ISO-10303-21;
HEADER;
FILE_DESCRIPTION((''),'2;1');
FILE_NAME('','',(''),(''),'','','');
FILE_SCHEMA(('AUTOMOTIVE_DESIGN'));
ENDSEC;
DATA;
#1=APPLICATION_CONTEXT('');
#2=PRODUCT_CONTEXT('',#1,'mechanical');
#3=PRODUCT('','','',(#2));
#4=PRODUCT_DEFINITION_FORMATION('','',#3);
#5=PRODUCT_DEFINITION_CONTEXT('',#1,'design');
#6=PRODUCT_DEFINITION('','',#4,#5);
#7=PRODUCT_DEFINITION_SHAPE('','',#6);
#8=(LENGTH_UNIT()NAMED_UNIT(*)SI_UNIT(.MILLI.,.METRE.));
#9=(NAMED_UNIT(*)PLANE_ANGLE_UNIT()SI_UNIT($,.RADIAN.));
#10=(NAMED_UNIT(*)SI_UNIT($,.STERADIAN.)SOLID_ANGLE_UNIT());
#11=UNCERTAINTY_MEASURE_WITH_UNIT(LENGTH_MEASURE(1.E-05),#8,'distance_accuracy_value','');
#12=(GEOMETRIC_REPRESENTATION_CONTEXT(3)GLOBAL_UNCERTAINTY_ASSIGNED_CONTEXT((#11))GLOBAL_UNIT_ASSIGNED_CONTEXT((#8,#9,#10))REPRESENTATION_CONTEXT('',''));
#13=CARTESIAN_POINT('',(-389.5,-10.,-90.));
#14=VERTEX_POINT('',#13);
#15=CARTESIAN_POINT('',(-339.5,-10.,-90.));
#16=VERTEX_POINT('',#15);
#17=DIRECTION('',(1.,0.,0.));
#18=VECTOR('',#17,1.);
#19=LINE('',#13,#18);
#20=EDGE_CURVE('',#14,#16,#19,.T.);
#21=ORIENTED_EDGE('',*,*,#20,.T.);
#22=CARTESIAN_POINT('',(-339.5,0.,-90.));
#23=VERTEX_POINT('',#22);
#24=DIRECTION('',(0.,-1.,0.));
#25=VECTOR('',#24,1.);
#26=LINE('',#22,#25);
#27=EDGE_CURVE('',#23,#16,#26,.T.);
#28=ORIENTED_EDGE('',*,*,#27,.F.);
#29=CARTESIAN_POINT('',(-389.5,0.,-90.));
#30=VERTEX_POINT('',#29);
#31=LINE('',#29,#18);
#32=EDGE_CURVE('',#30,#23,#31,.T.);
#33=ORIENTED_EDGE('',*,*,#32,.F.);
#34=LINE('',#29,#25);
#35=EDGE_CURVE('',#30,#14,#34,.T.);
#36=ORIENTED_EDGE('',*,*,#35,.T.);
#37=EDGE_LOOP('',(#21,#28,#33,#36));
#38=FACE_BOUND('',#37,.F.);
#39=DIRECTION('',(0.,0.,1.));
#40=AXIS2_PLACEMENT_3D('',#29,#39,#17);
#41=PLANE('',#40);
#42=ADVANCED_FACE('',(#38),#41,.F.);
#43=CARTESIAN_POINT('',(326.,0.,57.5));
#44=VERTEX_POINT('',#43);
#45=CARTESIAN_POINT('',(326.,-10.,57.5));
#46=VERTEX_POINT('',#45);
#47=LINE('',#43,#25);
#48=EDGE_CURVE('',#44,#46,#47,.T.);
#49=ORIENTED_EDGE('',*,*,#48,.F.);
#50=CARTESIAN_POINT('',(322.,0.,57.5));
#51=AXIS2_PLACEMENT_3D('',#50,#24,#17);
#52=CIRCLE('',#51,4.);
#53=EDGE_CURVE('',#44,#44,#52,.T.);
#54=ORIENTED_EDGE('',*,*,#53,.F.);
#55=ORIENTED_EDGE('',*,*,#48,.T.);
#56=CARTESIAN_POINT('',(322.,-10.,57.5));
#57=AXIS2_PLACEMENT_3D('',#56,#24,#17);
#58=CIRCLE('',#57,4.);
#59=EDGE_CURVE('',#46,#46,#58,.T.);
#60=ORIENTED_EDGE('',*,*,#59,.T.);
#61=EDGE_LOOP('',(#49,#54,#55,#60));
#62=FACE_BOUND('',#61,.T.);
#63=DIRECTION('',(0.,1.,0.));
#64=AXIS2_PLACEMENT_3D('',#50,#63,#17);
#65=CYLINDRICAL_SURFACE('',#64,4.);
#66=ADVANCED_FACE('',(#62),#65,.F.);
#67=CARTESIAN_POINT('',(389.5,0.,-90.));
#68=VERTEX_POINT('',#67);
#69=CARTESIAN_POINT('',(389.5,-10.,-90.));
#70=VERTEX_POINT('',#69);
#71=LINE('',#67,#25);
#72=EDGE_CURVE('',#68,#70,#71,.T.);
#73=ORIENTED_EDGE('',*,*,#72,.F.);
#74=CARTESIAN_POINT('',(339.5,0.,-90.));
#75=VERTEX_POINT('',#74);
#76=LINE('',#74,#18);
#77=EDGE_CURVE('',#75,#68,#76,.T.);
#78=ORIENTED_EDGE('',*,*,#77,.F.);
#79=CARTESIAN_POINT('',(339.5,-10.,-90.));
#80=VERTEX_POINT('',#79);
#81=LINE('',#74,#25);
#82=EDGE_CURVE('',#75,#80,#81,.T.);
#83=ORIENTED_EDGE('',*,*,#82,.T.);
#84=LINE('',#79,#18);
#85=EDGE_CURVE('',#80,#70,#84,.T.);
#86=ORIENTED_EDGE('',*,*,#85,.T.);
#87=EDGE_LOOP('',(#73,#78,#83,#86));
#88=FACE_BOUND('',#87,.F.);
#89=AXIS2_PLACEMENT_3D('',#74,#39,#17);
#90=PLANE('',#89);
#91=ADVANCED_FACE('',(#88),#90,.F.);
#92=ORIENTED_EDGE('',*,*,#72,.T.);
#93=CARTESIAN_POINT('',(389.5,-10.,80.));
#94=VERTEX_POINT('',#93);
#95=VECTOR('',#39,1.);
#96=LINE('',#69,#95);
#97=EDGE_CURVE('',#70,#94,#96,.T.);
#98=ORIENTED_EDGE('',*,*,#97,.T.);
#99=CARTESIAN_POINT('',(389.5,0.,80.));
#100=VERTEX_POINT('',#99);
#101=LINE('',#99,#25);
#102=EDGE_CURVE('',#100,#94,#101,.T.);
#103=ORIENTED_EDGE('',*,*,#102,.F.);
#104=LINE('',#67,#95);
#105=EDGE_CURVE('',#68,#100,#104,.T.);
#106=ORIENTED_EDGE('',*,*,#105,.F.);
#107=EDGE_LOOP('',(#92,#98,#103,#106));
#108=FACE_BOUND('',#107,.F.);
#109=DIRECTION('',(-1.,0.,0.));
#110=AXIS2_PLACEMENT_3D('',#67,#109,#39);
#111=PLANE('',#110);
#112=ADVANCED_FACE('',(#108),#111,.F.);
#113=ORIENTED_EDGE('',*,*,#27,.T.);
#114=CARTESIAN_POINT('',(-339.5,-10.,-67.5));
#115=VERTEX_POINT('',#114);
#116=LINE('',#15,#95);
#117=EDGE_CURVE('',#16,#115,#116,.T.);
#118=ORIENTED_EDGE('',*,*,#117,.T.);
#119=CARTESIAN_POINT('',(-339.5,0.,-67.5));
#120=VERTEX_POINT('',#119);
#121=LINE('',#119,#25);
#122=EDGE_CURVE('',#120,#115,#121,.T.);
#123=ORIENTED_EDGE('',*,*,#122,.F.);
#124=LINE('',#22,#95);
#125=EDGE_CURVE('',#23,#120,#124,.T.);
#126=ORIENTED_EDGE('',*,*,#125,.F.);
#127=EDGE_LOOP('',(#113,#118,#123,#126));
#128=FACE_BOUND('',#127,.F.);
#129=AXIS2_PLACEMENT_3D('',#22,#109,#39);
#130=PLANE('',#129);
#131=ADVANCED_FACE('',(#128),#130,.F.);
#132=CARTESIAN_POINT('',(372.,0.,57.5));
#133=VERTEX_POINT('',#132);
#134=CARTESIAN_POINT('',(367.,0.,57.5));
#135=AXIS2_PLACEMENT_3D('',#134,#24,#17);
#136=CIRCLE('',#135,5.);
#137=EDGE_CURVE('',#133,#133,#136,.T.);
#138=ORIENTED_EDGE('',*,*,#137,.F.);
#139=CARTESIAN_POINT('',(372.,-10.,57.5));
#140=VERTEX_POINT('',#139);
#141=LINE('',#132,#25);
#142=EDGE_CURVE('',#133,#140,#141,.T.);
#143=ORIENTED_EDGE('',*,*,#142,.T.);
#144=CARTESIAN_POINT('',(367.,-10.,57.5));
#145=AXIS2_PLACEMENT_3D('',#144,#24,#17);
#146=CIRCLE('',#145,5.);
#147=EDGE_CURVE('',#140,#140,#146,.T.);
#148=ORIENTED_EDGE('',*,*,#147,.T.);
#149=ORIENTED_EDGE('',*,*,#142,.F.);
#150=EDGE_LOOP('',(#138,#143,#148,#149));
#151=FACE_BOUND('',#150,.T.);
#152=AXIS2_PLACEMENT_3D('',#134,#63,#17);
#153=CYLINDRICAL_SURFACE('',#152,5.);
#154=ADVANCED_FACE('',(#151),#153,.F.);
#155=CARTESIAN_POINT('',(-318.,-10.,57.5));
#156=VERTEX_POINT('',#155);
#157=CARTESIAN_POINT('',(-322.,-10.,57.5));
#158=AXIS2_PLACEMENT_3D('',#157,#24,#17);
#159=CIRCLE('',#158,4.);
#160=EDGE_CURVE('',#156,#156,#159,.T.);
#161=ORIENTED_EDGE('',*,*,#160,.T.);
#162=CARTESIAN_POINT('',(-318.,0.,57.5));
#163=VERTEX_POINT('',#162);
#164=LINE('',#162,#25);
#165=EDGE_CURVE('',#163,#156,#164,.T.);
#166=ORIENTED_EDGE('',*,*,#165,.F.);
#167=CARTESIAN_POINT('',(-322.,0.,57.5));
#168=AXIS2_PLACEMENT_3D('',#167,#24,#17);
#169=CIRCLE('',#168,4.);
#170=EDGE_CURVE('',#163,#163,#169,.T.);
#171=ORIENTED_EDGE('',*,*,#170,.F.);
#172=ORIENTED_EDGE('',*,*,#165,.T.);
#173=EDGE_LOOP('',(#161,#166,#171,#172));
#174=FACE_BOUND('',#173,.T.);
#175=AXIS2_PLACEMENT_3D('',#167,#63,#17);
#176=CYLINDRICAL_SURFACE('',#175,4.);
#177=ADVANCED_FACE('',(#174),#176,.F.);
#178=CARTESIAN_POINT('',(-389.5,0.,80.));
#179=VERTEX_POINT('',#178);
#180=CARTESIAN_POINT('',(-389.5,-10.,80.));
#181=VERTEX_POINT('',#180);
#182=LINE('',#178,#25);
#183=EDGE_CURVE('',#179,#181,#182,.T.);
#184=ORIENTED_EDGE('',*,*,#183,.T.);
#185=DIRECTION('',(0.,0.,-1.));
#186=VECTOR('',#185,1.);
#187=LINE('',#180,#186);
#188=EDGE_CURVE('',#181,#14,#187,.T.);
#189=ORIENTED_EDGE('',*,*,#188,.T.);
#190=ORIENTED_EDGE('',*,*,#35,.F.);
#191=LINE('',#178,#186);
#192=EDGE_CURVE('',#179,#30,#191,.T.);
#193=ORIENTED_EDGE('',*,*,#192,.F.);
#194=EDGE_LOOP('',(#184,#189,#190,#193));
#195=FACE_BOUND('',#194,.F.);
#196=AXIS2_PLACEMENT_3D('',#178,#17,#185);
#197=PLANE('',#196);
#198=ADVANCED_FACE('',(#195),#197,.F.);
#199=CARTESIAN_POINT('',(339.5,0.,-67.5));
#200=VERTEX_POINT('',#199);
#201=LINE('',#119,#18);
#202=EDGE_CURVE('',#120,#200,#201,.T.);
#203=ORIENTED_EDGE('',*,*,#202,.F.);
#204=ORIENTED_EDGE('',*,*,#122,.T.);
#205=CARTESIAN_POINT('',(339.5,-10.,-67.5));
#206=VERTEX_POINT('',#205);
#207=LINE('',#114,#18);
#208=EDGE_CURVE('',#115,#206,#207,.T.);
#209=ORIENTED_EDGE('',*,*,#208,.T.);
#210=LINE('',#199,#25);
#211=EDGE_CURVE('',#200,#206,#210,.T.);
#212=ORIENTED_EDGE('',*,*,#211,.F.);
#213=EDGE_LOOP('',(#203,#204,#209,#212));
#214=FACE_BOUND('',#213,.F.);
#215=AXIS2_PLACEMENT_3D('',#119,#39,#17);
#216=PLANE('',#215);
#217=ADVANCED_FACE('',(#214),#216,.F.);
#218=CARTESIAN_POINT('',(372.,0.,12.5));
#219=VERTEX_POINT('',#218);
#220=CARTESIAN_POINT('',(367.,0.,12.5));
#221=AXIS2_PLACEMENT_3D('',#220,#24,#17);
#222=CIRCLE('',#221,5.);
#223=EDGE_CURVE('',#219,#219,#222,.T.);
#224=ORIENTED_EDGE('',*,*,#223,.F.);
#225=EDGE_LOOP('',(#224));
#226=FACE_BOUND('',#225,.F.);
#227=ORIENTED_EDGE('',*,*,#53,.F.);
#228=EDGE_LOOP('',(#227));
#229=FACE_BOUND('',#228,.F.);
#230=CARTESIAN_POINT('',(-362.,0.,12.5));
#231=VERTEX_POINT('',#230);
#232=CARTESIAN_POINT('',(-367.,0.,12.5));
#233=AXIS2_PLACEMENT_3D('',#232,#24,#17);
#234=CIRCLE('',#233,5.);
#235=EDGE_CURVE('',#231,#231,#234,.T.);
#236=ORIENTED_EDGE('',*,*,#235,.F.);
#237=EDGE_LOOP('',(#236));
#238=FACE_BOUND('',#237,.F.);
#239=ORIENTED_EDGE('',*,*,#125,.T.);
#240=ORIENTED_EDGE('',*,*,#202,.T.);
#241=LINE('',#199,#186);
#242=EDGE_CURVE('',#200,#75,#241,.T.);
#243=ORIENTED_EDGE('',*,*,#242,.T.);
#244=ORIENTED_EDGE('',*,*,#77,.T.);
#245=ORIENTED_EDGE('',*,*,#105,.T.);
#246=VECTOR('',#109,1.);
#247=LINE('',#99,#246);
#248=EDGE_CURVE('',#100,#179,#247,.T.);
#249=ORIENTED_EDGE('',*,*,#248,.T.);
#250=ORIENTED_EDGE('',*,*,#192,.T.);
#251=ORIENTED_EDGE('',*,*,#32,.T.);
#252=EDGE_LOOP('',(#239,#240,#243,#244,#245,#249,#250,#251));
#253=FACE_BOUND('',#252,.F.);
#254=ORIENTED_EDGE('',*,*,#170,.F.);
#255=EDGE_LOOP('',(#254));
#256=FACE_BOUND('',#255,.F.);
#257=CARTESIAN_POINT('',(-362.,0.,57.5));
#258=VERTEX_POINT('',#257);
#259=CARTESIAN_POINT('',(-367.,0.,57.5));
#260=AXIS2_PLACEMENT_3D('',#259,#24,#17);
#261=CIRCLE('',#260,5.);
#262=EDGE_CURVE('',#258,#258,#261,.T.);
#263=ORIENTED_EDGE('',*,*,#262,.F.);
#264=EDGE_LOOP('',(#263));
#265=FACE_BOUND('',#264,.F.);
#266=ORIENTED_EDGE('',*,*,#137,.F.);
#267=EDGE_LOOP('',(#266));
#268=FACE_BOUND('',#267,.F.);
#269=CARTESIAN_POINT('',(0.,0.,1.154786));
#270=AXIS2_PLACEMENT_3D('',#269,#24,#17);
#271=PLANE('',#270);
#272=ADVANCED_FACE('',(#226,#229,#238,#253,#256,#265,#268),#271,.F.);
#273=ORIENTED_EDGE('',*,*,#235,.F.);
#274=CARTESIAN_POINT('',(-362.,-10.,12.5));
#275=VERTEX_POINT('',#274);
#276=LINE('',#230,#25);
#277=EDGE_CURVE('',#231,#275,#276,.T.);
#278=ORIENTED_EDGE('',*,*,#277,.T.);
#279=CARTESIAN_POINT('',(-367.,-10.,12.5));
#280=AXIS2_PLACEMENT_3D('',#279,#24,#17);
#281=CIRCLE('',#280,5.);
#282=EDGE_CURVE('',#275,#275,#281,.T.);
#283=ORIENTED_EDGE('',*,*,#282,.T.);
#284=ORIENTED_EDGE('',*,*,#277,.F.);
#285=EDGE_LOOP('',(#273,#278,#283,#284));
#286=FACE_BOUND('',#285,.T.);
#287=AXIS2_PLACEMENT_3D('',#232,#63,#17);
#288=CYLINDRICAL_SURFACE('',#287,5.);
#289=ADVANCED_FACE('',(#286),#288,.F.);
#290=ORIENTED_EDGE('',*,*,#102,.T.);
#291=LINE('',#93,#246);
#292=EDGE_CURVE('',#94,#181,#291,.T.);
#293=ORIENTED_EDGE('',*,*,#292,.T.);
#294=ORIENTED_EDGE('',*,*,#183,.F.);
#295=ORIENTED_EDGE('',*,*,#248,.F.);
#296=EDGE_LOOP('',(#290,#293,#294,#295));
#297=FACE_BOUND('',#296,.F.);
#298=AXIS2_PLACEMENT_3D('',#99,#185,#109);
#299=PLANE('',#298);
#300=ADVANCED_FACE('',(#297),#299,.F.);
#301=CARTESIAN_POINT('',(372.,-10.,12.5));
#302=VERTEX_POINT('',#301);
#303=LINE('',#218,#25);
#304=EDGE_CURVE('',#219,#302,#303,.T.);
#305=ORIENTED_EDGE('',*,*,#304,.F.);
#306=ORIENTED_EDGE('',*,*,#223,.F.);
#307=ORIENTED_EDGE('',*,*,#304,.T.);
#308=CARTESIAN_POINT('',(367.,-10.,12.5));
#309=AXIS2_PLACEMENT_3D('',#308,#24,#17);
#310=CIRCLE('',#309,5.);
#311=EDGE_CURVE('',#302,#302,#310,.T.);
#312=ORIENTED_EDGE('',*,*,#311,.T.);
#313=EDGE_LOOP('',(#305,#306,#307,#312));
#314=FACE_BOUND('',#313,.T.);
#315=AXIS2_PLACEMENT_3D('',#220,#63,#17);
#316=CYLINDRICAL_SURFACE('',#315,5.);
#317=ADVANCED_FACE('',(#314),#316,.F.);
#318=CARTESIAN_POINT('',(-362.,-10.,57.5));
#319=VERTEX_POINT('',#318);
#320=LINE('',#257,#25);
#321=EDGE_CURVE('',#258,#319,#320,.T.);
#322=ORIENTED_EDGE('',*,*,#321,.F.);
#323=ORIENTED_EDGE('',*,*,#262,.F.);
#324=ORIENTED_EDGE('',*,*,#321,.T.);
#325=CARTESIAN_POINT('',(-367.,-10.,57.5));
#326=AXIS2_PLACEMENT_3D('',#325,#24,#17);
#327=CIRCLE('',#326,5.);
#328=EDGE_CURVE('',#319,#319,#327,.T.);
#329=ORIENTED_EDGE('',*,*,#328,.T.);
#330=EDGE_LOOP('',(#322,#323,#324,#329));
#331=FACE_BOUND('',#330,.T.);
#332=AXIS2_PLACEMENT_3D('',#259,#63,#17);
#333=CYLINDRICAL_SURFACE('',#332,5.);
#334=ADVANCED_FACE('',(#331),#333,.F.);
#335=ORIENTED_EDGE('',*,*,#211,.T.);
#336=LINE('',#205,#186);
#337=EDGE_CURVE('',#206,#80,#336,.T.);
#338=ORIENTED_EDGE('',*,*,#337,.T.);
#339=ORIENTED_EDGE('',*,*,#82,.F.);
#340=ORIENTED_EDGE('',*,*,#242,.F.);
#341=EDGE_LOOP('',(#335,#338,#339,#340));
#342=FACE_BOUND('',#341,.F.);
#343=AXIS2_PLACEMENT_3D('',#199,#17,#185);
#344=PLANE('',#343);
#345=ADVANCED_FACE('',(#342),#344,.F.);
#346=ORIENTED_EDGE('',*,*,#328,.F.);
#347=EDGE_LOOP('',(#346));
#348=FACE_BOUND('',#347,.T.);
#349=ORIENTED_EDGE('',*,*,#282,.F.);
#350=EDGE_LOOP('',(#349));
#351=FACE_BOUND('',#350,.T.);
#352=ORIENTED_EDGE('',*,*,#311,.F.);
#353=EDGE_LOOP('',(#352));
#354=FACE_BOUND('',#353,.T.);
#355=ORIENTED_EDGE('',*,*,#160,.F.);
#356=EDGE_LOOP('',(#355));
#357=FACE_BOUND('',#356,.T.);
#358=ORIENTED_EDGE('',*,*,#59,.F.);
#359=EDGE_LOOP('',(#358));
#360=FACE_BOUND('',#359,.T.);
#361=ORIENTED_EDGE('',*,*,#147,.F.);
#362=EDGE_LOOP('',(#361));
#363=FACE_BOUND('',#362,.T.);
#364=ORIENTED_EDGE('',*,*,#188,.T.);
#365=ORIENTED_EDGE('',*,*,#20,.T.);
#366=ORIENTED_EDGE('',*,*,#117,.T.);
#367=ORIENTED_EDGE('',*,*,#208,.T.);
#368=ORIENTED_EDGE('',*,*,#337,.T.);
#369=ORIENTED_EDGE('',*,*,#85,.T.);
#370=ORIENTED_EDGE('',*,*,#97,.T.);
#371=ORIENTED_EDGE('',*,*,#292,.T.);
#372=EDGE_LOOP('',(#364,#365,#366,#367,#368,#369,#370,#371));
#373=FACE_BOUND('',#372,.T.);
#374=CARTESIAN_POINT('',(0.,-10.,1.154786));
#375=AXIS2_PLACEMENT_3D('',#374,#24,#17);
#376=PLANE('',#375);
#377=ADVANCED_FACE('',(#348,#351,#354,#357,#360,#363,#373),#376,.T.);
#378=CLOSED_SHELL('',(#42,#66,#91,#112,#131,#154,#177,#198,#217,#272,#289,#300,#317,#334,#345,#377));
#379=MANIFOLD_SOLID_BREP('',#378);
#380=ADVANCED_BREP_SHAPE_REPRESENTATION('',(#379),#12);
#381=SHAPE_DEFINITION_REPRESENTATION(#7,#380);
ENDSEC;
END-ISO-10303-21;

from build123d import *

# Parameters (mm, degrees)
F0_R     = 5
F0_R_2   = 4
F1_DEPTH = 10


with BuildPart() as f1:
    # F0 (on Front) → F1 (new body)
    with BuildSketch(Plane.XZ):
        Polygon((389.5, -80), (389.5, 80), (-389.5, 80), (-389.5, -80), (-389.5, -90), (-339.5, -90), (-339.5, -80), (-339.5, -67.5), (339.5, -67.5), (339.5, -80), (339.5, -90), (389.5, -90), align=None)
        with Locations((-367, 12.5)):
            Circle(F0_R, mode=Mode.SUBTRACT)
        with Locations((-367, 57.5)):
            Circle(F0_R, mode=Mode.SUBTRACT)
        with Locations((-322, 57.5)):
            Circle(F0_R_2, mode=Mode.SUBTRACT)
        with Locations((367, 12.5)):
            Circle(F0_R, mode=Mode.SUBTRACT)
        with Locations((322, 57.5)):
            Circle(F0_R_2, mode=Mode.SUBTRACT)
        with Locations((367, 57.5)):
            Circle(F0_R, mode=Mode.SUBTRACT)
    extrude(amount=F1_DEPTH)


solid = f1.part
